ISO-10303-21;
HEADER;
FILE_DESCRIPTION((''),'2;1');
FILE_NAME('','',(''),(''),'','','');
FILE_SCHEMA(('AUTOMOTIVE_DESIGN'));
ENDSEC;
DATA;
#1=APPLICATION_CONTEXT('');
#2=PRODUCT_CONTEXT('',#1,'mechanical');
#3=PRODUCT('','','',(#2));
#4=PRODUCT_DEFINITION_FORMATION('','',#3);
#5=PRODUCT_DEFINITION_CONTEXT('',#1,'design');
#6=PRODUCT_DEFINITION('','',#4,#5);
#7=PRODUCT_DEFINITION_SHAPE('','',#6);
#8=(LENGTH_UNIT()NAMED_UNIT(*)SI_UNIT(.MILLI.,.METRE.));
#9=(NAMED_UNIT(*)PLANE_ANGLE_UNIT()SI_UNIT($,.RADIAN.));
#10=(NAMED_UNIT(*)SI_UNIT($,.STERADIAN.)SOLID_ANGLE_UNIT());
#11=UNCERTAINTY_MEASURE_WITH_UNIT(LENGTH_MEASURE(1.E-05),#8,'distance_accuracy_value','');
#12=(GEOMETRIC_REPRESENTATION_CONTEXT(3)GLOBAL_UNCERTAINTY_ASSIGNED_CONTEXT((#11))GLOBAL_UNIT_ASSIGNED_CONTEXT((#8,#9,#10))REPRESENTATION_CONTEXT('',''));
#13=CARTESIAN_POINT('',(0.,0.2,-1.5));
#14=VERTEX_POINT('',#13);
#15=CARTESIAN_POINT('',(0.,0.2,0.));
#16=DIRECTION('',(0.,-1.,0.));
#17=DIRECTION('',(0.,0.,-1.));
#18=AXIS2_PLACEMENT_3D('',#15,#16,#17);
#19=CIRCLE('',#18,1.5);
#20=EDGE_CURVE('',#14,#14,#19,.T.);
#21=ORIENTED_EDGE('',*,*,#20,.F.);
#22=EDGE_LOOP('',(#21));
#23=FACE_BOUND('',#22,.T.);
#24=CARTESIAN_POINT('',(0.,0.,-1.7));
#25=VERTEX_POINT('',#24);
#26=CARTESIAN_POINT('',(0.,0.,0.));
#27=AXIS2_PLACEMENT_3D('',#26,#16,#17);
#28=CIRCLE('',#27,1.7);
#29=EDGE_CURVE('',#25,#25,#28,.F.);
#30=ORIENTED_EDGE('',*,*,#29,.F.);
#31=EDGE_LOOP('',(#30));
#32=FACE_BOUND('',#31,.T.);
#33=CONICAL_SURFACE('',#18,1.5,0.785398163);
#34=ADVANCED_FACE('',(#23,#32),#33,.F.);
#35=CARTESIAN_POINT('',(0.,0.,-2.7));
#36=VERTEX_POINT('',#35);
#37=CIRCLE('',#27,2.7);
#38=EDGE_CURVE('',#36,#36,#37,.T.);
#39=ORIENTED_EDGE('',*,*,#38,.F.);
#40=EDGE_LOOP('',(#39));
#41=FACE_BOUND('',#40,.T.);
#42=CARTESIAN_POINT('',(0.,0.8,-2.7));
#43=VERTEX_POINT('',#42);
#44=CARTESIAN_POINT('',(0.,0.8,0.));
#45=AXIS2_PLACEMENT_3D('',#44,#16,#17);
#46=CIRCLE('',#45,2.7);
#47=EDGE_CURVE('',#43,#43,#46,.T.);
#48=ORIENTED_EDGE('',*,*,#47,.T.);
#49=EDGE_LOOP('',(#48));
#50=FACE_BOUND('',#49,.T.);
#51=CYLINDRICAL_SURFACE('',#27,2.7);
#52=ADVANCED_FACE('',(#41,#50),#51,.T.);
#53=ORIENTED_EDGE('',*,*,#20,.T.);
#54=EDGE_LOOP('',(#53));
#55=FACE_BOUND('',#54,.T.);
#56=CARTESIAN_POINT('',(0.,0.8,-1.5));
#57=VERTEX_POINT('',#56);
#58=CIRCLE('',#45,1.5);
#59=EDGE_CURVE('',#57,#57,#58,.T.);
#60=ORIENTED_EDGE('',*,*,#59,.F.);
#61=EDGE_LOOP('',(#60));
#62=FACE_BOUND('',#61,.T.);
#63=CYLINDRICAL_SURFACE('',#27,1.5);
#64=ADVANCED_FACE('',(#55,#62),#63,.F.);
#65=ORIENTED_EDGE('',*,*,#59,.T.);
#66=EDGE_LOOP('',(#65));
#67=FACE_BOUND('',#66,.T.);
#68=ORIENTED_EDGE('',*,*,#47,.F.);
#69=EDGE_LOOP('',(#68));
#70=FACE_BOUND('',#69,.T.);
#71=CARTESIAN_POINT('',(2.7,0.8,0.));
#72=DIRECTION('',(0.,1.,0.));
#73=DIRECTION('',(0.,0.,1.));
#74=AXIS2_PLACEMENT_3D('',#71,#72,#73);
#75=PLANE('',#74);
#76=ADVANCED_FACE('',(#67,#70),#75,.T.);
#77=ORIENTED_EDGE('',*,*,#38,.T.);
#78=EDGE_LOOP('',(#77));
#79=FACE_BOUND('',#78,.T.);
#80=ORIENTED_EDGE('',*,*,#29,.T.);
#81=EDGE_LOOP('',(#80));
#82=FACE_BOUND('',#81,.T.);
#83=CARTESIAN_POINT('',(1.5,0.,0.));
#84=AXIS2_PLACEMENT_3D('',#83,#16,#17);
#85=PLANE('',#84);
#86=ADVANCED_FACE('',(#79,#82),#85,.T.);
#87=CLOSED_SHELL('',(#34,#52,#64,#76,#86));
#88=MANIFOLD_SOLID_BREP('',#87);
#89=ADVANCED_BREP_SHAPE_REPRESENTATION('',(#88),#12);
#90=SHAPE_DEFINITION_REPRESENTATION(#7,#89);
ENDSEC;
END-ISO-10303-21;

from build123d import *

# Parameters (mm, degrees)
SKETCH1_W     = 1.2
SKETCH1_H     = 0.8
CHAMFER1_SIZE = 0.2


with BuildPart() as part:
    # Sketch1 → Revolve1 (revolve)
    with BuildSketch(Plane.XY):
        with Locations((2.1, 0.4)):
            Rectangle(SKETCH1_W, SKETCH1_H)
    revolve(axis=Axis((0, 0, 0), (0, 1, 0)))

    # Chamfer1
    chamfer1_edges = [part.edges().sort_by_distance(p)[0] for p in [
        (-1.5, 0, 0),
    ]]
    chamfer(chamfer1_edges, length=CHAMFER1_SIZE)


solid = part.part
